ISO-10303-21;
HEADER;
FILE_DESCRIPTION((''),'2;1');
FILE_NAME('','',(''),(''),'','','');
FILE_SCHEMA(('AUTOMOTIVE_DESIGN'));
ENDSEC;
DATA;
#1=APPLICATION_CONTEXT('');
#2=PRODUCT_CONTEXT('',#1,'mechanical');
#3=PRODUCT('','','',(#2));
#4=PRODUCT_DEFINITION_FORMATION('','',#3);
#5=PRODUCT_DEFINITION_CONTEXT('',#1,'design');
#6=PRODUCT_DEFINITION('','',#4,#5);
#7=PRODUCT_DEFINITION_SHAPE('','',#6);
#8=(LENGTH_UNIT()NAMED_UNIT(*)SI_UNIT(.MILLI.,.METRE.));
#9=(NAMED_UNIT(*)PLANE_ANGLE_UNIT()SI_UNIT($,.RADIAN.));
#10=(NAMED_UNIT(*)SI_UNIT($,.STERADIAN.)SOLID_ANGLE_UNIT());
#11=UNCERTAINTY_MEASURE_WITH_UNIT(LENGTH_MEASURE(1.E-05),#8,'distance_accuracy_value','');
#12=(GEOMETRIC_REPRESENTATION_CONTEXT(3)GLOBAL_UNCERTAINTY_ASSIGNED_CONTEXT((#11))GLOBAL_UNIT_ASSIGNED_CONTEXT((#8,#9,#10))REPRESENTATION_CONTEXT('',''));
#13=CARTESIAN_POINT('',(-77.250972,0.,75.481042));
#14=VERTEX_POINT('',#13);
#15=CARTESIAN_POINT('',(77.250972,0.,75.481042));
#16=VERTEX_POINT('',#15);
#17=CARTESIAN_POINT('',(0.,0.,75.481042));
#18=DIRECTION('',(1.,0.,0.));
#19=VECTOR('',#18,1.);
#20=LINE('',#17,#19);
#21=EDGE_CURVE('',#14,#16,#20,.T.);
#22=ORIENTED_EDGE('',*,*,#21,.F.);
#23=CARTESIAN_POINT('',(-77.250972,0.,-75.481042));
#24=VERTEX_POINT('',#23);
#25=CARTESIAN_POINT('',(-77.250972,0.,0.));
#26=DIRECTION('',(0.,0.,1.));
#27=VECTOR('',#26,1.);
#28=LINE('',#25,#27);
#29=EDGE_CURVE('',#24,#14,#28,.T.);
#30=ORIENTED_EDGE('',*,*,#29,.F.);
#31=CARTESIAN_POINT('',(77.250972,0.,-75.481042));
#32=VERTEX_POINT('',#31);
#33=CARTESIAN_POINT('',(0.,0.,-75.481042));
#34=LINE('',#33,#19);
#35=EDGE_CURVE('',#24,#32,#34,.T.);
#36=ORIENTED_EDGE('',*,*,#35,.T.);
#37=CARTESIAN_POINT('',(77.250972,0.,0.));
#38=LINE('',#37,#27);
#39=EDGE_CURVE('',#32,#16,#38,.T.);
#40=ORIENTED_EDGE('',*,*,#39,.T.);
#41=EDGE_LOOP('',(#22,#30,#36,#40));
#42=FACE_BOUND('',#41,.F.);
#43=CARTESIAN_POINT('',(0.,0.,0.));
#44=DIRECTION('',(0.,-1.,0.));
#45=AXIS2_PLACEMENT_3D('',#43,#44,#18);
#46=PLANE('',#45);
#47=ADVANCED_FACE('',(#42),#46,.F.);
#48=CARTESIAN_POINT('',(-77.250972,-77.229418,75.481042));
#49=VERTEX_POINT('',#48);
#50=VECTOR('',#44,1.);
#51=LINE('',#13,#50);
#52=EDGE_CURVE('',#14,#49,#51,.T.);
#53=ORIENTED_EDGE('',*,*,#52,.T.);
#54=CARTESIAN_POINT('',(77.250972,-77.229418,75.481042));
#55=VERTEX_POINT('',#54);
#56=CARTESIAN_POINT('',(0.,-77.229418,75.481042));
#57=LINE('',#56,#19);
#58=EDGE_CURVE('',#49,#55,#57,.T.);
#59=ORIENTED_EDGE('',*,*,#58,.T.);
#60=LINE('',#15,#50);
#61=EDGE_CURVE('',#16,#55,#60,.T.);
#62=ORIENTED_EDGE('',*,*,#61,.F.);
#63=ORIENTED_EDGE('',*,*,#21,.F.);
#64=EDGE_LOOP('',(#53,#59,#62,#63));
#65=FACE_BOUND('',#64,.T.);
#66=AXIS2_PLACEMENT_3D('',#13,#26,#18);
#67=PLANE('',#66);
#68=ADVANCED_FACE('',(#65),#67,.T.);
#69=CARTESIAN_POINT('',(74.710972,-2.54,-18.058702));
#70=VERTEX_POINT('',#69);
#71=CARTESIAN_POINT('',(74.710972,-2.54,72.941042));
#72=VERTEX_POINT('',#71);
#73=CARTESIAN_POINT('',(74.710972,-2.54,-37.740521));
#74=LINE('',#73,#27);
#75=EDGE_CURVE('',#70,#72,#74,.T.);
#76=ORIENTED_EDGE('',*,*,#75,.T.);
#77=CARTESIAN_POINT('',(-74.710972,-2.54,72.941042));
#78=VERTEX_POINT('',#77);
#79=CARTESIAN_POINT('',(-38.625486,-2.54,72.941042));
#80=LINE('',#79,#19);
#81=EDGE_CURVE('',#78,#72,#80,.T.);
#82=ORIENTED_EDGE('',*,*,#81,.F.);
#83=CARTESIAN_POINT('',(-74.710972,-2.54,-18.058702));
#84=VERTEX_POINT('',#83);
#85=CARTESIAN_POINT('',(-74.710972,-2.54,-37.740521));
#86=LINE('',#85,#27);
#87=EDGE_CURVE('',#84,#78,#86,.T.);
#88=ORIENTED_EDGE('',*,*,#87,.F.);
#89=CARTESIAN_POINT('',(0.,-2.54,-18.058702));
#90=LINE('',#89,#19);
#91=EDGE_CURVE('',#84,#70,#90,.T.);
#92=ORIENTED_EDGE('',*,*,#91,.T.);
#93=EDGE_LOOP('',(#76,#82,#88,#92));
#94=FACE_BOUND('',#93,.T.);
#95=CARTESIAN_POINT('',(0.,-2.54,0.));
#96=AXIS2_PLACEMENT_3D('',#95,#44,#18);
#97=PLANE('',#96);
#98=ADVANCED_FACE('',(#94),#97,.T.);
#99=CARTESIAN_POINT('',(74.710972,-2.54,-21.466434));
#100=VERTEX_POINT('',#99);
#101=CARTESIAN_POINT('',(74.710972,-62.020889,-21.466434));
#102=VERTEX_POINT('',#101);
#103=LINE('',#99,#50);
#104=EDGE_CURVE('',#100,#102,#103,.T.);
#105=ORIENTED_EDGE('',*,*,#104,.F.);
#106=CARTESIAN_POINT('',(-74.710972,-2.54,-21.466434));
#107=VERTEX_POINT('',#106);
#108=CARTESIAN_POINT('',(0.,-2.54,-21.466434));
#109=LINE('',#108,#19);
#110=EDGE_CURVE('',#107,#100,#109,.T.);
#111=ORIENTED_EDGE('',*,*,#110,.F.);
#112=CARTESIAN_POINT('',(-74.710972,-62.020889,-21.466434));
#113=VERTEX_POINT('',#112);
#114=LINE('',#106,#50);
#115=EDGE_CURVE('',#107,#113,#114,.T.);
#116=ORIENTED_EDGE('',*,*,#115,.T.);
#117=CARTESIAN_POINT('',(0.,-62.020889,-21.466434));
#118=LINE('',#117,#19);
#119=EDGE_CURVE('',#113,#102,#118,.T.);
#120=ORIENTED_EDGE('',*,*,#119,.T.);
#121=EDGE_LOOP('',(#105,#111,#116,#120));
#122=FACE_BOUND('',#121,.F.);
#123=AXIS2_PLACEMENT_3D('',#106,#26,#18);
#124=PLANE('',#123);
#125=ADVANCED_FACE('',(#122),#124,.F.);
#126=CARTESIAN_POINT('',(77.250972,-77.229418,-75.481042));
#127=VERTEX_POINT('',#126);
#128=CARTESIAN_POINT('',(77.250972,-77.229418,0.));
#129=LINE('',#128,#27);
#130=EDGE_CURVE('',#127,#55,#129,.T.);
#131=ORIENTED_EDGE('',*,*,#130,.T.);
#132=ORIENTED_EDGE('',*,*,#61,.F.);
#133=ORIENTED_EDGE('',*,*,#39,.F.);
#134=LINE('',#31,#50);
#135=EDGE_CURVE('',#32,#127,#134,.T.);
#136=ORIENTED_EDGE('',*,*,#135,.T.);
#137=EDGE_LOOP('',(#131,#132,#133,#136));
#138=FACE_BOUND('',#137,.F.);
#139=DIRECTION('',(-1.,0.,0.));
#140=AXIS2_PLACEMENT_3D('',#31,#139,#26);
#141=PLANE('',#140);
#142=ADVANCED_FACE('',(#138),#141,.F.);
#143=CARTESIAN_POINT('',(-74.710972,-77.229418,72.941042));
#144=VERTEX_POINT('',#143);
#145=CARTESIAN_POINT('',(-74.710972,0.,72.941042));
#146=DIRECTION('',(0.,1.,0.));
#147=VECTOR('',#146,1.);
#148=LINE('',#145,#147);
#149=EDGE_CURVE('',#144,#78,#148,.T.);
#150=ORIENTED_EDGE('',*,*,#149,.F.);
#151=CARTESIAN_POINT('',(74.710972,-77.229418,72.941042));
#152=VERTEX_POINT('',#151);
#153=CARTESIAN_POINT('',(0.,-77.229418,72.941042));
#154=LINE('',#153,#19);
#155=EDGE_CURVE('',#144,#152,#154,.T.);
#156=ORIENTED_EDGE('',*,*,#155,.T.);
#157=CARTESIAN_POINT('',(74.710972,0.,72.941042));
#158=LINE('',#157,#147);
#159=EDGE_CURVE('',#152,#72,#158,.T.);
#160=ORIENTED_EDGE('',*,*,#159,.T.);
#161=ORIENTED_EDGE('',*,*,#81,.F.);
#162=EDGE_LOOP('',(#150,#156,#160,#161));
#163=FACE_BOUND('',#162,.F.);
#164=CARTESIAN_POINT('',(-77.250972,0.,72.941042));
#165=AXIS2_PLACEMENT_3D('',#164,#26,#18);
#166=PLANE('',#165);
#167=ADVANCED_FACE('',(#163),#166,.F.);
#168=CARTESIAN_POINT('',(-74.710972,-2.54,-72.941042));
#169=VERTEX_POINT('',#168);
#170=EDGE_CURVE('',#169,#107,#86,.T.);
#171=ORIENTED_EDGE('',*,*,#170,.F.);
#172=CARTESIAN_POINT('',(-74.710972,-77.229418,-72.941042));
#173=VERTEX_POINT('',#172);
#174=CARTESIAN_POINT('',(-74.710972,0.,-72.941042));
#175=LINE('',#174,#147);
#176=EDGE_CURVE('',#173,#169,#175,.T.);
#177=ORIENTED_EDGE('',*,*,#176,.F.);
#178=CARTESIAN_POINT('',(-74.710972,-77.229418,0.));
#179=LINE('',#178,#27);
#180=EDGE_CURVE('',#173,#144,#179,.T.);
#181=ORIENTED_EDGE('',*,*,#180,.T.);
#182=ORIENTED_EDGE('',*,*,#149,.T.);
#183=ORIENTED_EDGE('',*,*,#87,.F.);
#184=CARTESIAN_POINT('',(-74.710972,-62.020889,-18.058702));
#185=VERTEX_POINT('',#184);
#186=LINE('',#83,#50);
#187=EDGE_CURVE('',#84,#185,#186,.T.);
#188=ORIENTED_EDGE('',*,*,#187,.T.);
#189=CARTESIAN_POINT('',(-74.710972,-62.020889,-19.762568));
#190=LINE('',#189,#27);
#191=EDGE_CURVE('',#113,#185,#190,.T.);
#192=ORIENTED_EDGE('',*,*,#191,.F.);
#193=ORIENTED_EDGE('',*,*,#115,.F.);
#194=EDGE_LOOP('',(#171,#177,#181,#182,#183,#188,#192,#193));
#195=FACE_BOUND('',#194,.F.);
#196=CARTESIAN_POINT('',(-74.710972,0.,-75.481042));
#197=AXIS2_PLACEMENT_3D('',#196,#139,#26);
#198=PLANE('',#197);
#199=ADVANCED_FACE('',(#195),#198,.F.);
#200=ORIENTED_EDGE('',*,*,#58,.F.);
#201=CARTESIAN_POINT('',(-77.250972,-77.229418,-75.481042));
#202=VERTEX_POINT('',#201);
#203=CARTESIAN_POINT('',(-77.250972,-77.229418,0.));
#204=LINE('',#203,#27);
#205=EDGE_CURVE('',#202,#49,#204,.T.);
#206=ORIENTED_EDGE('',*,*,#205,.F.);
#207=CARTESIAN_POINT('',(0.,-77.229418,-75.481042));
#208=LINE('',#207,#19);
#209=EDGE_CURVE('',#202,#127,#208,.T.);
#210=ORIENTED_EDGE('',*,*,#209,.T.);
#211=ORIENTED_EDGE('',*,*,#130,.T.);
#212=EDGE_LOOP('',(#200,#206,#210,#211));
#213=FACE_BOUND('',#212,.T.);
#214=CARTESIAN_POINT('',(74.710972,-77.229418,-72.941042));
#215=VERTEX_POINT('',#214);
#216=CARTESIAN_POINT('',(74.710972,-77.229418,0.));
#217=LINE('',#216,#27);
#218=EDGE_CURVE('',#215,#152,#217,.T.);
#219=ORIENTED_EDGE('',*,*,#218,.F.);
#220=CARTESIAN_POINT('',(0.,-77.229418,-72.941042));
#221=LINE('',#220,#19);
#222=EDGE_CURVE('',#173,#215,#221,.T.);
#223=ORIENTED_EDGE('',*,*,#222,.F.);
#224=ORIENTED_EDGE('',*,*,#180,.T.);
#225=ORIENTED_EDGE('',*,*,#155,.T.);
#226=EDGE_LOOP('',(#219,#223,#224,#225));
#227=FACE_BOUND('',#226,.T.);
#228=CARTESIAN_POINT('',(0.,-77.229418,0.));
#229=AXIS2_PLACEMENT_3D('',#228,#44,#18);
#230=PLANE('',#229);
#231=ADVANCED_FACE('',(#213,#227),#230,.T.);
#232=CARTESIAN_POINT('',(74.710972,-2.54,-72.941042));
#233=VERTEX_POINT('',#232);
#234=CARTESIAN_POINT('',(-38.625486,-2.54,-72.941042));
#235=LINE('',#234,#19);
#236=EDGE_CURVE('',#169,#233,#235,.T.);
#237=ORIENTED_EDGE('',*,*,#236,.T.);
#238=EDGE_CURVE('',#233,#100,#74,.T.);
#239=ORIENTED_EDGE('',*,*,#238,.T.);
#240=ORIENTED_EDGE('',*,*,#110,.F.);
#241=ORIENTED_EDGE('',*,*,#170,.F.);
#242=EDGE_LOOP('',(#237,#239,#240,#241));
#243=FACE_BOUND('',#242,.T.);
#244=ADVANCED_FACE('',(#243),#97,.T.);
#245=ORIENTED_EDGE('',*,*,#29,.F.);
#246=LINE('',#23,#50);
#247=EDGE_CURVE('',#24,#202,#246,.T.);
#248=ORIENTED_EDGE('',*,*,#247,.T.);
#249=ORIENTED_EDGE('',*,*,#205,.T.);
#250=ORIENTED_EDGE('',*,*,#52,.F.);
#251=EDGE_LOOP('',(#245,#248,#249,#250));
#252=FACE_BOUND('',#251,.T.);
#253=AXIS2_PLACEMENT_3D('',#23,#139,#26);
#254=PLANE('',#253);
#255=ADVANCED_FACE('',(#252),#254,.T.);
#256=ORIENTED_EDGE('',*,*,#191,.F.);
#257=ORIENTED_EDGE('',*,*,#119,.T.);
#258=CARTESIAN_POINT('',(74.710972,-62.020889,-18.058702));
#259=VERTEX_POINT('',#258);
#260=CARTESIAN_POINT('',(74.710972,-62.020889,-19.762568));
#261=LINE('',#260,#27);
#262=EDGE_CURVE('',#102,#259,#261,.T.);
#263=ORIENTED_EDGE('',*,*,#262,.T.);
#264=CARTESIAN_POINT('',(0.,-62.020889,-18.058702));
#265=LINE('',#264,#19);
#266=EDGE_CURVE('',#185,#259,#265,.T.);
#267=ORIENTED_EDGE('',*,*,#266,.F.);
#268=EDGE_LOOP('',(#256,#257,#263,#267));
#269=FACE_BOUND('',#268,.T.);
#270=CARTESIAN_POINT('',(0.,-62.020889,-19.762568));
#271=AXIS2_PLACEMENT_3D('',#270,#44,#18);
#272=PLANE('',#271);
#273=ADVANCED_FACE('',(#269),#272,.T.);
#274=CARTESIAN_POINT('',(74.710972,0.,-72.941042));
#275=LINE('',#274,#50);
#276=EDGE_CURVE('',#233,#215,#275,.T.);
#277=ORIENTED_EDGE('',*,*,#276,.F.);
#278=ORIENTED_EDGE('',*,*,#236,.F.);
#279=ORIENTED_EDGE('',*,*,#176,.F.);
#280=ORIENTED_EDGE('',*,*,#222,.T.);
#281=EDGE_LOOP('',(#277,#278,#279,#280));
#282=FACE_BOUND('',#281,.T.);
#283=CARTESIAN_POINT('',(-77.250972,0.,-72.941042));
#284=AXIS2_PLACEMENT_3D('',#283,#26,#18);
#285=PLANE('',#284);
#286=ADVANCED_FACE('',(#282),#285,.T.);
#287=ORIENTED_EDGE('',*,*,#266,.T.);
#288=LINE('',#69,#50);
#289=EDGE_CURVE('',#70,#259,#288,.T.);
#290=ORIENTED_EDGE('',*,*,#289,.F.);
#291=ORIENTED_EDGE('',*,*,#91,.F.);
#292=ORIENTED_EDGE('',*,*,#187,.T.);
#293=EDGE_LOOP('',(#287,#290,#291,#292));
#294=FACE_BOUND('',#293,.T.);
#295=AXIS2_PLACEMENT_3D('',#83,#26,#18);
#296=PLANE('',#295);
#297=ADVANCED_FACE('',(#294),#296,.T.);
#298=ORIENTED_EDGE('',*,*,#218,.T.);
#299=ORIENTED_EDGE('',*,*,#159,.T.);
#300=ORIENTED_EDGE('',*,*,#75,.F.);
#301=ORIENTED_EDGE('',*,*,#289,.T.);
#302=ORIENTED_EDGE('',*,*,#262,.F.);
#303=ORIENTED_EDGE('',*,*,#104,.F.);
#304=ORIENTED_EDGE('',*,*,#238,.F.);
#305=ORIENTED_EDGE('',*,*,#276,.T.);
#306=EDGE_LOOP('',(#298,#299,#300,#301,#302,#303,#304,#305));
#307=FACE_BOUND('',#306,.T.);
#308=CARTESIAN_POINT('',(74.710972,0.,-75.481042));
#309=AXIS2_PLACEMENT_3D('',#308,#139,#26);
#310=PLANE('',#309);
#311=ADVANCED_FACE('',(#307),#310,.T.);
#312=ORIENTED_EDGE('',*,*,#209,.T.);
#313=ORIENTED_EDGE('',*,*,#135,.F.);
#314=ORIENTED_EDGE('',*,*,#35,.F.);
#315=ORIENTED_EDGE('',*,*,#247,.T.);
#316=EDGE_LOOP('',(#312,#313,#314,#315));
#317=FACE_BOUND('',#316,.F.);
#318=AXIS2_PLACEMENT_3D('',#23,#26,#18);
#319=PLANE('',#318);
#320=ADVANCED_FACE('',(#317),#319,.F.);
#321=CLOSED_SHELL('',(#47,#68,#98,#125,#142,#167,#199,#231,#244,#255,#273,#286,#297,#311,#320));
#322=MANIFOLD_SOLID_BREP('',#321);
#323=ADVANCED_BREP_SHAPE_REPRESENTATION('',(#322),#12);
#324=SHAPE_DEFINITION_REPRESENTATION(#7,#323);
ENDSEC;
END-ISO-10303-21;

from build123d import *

# Parameters (mm, degrees)
F1_W     = 154.501944
F1_H     = 150.962084
F2_DEPTH = 77.229418
F3_T     = -2.54
F4_W     = 149.421944
F4_H     = 3.407732
F5_DEPTH = 59.480889


with BuildPart() as f2:
    # F1 (on face) → F2 (new body)
    with BuildSketch(Plane.XZ):
        Rectangle(F1_W, F1_H)
    extrude(amount=F2_DEPTH)

    # F3
    f3_openings = [f2.faces().sort_by_distance(p)[0] for p in [
        (0, -77.229418, 0),
    ]]
    offset(amount=F3_T, openings=f3_openings)

    # F4 (on face) → F5 (join)
    with BuildSketch(Plane.XZ.offset(2.54)):
        with Locations((0, -19.762568)):
            Rectangle(F4_W, F4_H)
    extrude(amount=F5_DEPTH)


solid = f2.part
